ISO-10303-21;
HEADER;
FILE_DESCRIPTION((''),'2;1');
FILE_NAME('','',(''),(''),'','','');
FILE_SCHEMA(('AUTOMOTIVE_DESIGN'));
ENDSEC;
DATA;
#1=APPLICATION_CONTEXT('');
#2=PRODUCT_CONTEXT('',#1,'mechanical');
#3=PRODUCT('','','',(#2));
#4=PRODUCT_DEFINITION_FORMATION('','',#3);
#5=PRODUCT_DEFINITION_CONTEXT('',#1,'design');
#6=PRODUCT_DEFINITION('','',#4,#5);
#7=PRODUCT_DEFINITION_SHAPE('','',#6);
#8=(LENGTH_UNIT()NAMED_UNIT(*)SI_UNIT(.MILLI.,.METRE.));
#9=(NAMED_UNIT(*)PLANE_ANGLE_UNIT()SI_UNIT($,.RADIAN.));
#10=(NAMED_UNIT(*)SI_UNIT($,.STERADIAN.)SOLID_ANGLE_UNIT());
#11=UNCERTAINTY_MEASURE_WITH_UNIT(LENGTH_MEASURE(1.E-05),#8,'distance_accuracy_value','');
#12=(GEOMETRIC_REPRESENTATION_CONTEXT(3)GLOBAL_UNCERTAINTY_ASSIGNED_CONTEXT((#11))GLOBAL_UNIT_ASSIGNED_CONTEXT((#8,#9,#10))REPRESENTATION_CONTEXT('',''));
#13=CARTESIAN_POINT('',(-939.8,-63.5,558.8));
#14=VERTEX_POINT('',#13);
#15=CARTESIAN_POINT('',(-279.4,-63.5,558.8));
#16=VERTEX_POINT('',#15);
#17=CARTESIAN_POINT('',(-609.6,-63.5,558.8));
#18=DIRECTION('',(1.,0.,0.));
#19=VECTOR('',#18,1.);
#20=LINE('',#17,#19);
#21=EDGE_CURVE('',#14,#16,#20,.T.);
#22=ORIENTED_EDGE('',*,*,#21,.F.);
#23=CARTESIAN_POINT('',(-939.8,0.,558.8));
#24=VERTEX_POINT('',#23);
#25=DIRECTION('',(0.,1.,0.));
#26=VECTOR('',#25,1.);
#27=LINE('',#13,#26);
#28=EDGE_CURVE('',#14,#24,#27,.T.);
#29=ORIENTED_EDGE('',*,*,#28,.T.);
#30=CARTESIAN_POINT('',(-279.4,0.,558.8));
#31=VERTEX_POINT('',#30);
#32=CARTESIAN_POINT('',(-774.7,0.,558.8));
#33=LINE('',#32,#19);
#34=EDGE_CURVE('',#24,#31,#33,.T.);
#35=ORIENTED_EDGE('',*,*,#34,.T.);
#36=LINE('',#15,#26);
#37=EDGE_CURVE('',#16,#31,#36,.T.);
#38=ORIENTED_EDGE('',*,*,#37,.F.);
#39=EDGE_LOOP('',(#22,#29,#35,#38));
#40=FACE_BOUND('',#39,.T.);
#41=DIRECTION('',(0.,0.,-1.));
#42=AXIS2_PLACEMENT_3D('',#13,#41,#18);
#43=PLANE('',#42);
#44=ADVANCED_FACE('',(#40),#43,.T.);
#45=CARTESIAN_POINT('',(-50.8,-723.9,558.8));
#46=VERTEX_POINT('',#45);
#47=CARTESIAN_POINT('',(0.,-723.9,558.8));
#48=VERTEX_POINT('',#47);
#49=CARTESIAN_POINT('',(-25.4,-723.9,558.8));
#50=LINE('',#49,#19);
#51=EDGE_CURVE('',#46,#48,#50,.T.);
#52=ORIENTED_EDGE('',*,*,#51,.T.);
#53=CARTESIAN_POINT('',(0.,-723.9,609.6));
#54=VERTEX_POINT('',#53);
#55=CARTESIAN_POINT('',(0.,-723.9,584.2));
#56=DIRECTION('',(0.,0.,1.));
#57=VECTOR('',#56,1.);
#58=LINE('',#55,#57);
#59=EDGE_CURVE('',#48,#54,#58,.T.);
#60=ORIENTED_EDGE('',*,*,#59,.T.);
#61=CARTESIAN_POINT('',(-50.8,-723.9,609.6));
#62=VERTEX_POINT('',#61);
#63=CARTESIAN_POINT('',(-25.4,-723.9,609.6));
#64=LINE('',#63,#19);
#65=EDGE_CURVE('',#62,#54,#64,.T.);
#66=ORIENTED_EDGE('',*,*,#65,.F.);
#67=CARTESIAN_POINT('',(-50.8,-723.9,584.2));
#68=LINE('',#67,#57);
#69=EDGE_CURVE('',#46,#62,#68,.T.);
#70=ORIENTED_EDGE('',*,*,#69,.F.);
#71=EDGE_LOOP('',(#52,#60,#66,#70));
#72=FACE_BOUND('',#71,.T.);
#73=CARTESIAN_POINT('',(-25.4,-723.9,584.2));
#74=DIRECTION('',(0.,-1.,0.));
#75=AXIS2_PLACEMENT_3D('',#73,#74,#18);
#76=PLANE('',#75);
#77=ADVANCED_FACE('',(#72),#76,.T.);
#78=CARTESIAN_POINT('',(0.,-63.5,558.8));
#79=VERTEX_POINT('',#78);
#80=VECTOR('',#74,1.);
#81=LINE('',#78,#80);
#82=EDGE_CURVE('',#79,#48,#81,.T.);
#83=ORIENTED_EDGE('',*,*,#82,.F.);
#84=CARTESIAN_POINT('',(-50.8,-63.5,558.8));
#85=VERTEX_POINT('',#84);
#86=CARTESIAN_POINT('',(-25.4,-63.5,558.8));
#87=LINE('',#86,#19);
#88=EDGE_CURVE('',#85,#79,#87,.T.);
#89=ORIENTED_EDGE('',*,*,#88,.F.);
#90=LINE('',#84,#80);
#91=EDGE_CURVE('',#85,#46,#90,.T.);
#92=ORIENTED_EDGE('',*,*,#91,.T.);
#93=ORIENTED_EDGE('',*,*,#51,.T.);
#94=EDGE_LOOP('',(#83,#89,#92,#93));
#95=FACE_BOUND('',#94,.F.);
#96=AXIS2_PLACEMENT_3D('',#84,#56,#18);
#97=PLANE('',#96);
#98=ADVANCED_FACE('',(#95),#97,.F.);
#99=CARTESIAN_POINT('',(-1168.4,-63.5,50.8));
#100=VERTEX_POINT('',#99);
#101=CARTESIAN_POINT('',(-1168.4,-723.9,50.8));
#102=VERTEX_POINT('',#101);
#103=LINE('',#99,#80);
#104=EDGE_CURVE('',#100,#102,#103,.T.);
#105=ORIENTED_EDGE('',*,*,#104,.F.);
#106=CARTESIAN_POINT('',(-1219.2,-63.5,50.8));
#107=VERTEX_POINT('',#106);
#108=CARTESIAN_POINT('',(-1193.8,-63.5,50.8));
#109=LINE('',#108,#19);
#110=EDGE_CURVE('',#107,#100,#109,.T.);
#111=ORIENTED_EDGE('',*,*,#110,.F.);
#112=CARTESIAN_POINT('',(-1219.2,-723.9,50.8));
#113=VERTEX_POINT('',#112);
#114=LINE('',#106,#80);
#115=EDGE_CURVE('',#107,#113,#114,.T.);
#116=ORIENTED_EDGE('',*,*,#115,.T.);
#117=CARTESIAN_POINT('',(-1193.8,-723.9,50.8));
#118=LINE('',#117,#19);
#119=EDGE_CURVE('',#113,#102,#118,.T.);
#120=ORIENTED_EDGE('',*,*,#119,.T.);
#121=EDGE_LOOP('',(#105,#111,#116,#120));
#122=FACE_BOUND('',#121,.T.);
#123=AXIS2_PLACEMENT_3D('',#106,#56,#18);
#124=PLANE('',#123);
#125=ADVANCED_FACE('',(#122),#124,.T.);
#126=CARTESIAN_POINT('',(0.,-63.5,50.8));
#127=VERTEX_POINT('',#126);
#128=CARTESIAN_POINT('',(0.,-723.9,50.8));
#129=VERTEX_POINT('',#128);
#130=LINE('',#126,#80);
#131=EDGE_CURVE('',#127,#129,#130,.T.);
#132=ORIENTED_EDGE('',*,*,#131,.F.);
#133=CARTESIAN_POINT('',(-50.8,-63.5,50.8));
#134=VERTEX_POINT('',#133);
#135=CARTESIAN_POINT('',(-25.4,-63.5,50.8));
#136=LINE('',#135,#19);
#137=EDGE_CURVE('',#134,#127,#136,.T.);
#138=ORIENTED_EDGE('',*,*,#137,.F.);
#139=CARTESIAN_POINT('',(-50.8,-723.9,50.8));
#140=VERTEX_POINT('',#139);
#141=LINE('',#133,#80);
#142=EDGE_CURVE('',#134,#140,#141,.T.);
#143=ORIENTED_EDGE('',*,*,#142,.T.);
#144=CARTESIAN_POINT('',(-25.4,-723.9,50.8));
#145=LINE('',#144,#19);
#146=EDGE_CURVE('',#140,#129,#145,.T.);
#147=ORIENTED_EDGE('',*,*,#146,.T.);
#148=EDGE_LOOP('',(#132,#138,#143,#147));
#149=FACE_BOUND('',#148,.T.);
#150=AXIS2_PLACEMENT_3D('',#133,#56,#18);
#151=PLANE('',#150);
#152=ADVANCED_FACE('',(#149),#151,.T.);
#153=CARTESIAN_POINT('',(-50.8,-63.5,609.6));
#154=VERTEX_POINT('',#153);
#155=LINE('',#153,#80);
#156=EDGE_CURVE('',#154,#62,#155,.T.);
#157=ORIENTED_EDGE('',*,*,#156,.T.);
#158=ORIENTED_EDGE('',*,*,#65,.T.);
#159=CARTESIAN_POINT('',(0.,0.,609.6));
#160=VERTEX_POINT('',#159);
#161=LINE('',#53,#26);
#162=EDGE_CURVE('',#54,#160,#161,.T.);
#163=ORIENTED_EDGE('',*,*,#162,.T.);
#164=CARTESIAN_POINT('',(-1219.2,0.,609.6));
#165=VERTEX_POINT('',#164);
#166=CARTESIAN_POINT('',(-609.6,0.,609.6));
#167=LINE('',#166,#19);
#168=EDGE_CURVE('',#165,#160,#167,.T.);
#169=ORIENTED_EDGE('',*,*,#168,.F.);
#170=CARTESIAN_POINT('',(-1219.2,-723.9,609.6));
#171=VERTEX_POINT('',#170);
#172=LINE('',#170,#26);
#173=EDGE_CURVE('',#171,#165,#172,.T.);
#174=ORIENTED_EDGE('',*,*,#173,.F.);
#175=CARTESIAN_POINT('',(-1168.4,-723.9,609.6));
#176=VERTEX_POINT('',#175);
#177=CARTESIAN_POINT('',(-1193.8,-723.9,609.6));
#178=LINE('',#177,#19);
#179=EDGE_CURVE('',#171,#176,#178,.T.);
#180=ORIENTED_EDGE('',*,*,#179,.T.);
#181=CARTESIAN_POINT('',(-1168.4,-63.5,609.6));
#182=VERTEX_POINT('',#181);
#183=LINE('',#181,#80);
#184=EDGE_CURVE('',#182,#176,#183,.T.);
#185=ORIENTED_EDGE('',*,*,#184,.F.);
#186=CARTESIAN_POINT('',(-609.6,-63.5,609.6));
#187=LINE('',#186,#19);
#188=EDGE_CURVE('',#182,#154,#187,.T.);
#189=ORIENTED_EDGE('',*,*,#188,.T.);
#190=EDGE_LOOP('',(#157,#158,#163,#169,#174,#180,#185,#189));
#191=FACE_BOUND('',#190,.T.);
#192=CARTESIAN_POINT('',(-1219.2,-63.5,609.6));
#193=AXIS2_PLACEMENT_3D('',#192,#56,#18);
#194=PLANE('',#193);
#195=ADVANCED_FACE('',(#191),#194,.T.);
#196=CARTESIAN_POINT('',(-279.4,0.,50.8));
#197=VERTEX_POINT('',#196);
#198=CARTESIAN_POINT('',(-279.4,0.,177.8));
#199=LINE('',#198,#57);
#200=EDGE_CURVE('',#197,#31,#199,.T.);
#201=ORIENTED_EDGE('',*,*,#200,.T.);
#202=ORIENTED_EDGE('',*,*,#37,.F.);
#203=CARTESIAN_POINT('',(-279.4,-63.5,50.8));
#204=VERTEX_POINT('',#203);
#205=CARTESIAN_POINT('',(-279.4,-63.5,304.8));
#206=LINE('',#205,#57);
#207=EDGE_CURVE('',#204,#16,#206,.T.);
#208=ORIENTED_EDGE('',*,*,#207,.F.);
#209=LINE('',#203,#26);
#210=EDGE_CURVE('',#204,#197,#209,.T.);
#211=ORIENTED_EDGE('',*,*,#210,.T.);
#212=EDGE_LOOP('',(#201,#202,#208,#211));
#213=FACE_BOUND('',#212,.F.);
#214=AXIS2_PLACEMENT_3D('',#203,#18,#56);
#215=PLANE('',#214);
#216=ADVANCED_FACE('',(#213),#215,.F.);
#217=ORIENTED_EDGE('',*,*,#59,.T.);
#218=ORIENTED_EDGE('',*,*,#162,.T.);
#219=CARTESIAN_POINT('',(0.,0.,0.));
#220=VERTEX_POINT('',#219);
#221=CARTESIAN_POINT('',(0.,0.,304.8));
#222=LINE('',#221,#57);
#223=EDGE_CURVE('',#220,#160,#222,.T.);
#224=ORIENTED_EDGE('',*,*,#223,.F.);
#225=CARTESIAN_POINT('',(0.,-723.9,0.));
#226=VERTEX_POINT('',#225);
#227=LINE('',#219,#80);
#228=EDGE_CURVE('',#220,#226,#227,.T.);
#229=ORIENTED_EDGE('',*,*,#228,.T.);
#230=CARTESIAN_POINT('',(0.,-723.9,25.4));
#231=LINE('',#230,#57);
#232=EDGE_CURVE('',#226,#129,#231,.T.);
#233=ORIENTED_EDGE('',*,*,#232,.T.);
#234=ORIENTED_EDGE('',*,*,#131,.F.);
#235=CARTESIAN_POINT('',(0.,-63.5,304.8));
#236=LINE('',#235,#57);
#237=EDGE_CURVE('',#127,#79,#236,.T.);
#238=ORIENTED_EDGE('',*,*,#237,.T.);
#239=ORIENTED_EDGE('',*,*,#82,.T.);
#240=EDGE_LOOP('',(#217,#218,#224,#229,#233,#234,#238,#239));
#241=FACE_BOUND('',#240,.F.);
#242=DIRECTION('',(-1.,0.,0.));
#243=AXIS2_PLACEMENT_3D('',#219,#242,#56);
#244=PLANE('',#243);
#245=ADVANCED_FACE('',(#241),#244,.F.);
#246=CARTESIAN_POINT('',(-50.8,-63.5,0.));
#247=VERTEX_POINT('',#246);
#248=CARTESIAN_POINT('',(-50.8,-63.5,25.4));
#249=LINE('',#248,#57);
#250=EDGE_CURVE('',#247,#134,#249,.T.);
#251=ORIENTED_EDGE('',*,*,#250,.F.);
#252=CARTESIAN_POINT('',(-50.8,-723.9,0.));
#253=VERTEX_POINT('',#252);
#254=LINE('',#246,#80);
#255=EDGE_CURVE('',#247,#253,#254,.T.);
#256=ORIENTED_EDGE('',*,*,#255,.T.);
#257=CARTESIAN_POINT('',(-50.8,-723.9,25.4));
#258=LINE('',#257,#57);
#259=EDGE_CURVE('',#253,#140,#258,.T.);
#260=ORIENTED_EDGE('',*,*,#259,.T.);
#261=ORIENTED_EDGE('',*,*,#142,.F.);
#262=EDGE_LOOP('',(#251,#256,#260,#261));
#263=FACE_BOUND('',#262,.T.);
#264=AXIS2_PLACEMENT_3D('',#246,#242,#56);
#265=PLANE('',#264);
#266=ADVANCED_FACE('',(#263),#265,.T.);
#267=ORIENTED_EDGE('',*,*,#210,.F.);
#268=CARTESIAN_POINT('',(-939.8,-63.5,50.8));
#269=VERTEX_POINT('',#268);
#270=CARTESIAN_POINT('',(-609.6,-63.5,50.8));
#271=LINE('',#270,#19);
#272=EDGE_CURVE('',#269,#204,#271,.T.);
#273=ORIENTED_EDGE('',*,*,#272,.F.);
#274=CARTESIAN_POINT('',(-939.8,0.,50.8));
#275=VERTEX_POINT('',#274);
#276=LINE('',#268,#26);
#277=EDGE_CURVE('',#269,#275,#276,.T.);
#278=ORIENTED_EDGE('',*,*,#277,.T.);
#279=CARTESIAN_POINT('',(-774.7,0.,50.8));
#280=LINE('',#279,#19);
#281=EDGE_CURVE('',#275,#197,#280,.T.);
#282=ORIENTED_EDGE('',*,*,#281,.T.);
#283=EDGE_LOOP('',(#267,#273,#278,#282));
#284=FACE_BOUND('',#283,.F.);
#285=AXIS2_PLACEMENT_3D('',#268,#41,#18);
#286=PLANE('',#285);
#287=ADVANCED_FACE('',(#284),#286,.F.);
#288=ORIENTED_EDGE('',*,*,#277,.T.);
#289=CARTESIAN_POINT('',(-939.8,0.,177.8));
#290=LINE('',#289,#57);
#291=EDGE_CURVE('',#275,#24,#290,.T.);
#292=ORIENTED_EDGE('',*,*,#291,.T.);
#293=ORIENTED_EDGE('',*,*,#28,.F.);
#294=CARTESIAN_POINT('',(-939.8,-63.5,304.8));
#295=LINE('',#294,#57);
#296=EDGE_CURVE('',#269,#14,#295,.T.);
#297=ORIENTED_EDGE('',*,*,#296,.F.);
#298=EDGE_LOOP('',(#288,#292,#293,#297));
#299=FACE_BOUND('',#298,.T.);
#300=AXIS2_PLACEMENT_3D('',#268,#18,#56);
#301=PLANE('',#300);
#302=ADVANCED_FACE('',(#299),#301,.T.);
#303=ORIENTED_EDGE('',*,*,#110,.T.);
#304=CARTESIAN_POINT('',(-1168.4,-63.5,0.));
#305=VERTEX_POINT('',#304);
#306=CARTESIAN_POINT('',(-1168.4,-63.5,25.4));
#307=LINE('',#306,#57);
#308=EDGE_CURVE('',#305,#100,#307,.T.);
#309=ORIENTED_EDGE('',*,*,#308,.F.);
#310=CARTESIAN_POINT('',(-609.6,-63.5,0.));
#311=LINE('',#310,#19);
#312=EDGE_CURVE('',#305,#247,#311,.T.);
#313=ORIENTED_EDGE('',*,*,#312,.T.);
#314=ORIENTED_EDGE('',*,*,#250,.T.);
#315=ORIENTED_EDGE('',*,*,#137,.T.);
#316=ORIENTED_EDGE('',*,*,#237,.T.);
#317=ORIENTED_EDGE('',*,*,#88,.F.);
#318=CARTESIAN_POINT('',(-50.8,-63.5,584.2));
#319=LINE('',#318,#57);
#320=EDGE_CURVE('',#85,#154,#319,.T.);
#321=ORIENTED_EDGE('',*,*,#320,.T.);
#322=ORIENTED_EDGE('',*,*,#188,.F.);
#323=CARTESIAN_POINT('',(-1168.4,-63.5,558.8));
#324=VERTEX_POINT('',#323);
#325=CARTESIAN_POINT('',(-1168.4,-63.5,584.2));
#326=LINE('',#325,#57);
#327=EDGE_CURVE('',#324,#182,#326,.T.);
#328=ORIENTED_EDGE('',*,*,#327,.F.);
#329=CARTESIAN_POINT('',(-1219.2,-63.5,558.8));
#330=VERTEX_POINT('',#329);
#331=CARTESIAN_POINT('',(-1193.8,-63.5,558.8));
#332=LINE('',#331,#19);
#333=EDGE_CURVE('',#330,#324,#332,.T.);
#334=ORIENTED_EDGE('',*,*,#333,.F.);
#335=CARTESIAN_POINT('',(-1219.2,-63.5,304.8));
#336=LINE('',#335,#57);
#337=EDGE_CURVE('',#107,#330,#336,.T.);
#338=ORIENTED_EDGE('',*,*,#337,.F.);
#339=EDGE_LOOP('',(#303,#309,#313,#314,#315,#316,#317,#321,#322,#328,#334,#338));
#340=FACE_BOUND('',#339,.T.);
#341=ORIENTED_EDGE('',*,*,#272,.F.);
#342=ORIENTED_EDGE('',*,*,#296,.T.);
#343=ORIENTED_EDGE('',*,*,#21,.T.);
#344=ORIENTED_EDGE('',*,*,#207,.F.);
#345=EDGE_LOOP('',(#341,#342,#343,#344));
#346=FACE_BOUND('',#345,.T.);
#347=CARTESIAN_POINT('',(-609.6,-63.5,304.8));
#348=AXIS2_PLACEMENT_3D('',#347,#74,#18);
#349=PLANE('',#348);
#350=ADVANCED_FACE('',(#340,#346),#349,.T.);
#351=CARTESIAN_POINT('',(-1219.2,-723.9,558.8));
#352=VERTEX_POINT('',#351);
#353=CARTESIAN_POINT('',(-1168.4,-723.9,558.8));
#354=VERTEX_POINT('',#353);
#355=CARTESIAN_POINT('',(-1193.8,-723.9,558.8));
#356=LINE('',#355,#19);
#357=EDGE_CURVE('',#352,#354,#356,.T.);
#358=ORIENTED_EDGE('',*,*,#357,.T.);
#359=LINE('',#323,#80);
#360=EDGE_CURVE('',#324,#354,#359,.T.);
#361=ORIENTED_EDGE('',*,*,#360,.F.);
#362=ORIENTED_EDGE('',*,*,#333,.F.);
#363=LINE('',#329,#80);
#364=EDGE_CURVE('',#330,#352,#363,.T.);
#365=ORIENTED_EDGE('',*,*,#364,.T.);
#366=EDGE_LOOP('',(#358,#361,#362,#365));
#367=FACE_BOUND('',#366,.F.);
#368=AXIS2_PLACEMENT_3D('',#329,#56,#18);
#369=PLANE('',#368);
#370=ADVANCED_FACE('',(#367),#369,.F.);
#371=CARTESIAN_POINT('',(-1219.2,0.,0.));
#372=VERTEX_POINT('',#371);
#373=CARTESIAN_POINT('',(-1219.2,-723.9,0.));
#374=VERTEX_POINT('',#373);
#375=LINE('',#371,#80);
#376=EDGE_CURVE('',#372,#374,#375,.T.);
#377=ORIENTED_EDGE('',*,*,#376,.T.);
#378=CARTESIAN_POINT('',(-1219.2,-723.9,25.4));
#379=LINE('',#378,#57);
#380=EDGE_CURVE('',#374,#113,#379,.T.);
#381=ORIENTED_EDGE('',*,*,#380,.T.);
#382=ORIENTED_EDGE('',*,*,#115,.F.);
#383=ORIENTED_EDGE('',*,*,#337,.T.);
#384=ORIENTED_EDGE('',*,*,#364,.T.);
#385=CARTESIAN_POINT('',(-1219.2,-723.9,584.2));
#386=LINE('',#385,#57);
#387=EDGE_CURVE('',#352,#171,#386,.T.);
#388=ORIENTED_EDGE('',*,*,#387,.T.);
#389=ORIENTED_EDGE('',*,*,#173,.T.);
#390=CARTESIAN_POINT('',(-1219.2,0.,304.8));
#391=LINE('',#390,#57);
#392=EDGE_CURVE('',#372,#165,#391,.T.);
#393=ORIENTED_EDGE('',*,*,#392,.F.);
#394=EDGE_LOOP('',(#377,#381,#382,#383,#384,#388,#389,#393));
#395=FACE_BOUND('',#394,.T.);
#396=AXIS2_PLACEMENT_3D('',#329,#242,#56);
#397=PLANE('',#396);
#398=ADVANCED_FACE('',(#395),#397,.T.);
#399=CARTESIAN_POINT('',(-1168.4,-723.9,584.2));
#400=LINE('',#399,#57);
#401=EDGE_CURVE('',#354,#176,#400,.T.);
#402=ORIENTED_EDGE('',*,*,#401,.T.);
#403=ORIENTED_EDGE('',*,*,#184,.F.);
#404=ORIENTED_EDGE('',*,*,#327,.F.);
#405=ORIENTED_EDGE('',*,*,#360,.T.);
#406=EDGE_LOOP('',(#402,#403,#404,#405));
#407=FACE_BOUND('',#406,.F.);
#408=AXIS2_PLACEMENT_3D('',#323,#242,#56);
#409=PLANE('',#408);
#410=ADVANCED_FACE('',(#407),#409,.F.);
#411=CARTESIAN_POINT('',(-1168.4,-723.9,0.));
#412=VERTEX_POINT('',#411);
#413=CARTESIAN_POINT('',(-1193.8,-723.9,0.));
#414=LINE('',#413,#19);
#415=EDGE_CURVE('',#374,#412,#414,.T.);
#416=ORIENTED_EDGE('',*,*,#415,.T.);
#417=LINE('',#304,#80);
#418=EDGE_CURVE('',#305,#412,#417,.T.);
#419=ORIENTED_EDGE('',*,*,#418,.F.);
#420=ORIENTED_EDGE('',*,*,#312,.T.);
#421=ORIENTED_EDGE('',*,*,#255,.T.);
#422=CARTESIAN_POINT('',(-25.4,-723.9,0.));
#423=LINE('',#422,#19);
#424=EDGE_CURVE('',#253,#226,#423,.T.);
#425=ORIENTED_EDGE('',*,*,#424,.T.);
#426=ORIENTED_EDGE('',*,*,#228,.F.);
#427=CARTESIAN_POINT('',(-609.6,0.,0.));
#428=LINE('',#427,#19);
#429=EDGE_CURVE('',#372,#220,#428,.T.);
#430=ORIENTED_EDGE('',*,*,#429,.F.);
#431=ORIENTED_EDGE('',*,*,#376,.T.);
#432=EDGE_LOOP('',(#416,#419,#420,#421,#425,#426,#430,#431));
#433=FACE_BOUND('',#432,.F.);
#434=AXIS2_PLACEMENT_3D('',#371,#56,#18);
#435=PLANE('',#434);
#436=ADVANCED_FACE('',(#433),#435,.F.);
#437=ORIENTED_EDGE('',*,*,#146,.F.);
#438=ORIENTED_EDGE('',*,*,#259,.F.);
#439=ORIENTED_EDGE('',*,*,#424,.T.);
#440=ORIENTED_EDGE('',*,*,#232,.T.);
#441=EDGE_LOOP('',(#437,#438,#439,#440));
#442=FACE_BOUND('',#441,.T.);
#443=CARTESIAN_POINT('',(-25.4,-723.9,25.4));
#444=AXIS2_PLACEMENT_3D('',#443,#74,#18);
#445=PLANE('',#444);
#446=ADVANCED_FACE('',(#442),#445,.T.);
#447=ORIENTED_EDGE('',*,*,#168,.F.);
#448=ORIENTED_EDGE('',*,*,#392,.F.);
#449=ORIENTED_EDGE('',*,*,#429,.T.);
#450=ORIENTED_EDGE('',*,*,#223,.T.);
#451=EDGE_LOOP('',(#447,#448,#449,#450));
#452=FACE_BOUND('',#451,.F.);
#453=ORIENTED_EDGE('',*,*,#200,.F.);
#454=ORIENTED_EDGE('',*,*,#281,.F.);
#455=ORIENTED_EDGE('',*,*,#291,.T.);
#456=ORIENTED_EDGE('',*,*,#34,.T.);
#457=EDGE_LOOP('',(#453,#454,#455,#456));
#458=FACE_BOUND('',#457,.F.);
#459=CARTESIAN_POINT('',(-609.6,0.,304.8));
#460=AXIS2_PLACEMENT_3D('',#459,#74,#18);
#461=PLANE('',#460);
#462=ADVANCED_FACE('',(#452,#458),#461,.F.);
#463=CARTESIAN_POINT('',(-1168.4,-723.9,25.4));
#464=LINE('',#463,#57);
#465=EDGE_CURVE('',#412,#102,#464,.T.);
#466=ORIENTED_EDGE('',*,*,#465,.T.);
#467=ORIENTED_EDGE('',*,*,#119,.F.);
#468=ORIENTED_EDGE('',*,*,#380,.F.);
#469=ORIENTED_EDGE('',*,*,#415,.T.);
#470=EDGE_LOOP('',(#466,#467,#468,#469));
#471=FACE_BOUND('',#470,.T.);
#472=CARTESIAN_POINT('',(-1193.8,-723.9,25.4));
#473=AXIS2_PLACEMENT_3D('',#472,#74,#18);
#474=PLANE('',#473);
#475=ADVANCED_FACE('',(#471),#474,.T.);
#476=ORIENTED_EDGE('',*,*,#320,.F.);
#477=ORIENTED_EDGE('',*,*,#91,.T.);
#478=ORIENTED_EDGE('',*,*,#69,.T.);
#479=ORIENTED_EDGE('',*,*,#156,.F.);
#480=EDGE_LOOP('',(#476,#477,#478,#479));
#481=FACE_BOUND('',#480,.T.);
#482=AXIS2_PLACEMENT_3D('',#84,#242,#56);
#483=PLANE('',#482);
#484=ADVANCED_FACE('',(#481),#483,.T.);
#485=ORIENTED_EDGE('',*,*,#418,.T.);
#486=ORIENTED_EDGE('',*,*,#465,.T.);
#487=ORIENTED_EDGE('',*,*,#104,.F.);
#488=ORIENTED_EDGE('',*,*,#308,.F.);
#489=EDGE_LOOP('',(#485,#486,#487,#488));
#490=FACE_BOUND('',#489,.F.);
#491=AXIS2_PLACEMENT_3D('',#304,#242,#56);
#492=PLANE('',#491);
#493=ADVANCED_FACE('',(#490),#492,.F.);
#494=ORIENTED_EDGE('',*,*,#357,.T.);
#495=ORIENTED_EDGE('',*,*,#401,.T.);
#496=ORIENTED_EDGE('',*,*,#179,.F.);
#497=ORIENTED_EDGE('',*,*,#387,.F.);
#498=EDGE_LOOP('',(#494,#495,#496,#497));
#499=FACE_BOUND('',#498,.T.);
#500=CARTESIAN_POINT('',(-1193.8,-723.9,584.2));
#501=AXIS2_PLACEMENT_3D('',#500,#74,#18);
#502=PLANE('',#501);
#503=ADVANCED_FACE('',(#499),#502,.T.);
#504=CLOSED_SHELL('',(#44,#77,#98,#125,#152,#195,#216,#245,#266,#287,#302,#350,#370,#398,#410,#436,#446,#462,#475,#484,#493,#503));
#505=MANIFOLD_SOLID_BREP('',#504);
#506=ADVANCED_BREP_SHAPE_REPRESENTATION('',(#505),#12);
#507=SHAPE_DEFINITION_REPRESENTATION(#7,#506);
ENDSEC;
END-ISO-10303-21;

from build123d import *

# Parameters (mm, degrees)
F0_W     = 1219.2
F0_H     = 609.6
F1_DEPTH = 63.5
F2_W     = 660.4
F2_H     = 508
F3_DEPTH = 114.3
F4_W     = 50.8
F4_H     = 50.8
F5_DEPTH = 660.4


with BuildPart() as f1:
    # F0 (on Front) → F1 (new body)
    with BuildSketch(Plane.XZ):
        with Locations((-609.6, 304.8)):
            Rectangle(F0_W, F0_H)
    extrude(amount=F1_DEPTH)

    # F2 (on face) → F3 (cut)
    with BuildSketch(Plane.XZ.offset(63.5)):
        with Locations((-609.6, 304.8)):
            Rectangle(F2_W, F2_H)
    extrude(amount=-F3_DEPTH, mode=Mode.SUBTRACT)

    # F4 (on face) → F5 (join)
    with BuildSketch(Plane.XZ.offset(63.5)):
        with Locations((-1193.8, 584.2)):
            Rectangle(F4_W, F4_H)
        with Locations((-1193.8, 25.4)):
            Rectangle(F4_W, F4_H)
        with Locations((-25.4, 25.4)):
            Rectangle(F4_W, F4_H)
        with Locations((-25.4, 584.2)):
            Rectangle(F4_W, F4_H)
    extrude(amount=F5_DEPTH)


solid = f1.part
